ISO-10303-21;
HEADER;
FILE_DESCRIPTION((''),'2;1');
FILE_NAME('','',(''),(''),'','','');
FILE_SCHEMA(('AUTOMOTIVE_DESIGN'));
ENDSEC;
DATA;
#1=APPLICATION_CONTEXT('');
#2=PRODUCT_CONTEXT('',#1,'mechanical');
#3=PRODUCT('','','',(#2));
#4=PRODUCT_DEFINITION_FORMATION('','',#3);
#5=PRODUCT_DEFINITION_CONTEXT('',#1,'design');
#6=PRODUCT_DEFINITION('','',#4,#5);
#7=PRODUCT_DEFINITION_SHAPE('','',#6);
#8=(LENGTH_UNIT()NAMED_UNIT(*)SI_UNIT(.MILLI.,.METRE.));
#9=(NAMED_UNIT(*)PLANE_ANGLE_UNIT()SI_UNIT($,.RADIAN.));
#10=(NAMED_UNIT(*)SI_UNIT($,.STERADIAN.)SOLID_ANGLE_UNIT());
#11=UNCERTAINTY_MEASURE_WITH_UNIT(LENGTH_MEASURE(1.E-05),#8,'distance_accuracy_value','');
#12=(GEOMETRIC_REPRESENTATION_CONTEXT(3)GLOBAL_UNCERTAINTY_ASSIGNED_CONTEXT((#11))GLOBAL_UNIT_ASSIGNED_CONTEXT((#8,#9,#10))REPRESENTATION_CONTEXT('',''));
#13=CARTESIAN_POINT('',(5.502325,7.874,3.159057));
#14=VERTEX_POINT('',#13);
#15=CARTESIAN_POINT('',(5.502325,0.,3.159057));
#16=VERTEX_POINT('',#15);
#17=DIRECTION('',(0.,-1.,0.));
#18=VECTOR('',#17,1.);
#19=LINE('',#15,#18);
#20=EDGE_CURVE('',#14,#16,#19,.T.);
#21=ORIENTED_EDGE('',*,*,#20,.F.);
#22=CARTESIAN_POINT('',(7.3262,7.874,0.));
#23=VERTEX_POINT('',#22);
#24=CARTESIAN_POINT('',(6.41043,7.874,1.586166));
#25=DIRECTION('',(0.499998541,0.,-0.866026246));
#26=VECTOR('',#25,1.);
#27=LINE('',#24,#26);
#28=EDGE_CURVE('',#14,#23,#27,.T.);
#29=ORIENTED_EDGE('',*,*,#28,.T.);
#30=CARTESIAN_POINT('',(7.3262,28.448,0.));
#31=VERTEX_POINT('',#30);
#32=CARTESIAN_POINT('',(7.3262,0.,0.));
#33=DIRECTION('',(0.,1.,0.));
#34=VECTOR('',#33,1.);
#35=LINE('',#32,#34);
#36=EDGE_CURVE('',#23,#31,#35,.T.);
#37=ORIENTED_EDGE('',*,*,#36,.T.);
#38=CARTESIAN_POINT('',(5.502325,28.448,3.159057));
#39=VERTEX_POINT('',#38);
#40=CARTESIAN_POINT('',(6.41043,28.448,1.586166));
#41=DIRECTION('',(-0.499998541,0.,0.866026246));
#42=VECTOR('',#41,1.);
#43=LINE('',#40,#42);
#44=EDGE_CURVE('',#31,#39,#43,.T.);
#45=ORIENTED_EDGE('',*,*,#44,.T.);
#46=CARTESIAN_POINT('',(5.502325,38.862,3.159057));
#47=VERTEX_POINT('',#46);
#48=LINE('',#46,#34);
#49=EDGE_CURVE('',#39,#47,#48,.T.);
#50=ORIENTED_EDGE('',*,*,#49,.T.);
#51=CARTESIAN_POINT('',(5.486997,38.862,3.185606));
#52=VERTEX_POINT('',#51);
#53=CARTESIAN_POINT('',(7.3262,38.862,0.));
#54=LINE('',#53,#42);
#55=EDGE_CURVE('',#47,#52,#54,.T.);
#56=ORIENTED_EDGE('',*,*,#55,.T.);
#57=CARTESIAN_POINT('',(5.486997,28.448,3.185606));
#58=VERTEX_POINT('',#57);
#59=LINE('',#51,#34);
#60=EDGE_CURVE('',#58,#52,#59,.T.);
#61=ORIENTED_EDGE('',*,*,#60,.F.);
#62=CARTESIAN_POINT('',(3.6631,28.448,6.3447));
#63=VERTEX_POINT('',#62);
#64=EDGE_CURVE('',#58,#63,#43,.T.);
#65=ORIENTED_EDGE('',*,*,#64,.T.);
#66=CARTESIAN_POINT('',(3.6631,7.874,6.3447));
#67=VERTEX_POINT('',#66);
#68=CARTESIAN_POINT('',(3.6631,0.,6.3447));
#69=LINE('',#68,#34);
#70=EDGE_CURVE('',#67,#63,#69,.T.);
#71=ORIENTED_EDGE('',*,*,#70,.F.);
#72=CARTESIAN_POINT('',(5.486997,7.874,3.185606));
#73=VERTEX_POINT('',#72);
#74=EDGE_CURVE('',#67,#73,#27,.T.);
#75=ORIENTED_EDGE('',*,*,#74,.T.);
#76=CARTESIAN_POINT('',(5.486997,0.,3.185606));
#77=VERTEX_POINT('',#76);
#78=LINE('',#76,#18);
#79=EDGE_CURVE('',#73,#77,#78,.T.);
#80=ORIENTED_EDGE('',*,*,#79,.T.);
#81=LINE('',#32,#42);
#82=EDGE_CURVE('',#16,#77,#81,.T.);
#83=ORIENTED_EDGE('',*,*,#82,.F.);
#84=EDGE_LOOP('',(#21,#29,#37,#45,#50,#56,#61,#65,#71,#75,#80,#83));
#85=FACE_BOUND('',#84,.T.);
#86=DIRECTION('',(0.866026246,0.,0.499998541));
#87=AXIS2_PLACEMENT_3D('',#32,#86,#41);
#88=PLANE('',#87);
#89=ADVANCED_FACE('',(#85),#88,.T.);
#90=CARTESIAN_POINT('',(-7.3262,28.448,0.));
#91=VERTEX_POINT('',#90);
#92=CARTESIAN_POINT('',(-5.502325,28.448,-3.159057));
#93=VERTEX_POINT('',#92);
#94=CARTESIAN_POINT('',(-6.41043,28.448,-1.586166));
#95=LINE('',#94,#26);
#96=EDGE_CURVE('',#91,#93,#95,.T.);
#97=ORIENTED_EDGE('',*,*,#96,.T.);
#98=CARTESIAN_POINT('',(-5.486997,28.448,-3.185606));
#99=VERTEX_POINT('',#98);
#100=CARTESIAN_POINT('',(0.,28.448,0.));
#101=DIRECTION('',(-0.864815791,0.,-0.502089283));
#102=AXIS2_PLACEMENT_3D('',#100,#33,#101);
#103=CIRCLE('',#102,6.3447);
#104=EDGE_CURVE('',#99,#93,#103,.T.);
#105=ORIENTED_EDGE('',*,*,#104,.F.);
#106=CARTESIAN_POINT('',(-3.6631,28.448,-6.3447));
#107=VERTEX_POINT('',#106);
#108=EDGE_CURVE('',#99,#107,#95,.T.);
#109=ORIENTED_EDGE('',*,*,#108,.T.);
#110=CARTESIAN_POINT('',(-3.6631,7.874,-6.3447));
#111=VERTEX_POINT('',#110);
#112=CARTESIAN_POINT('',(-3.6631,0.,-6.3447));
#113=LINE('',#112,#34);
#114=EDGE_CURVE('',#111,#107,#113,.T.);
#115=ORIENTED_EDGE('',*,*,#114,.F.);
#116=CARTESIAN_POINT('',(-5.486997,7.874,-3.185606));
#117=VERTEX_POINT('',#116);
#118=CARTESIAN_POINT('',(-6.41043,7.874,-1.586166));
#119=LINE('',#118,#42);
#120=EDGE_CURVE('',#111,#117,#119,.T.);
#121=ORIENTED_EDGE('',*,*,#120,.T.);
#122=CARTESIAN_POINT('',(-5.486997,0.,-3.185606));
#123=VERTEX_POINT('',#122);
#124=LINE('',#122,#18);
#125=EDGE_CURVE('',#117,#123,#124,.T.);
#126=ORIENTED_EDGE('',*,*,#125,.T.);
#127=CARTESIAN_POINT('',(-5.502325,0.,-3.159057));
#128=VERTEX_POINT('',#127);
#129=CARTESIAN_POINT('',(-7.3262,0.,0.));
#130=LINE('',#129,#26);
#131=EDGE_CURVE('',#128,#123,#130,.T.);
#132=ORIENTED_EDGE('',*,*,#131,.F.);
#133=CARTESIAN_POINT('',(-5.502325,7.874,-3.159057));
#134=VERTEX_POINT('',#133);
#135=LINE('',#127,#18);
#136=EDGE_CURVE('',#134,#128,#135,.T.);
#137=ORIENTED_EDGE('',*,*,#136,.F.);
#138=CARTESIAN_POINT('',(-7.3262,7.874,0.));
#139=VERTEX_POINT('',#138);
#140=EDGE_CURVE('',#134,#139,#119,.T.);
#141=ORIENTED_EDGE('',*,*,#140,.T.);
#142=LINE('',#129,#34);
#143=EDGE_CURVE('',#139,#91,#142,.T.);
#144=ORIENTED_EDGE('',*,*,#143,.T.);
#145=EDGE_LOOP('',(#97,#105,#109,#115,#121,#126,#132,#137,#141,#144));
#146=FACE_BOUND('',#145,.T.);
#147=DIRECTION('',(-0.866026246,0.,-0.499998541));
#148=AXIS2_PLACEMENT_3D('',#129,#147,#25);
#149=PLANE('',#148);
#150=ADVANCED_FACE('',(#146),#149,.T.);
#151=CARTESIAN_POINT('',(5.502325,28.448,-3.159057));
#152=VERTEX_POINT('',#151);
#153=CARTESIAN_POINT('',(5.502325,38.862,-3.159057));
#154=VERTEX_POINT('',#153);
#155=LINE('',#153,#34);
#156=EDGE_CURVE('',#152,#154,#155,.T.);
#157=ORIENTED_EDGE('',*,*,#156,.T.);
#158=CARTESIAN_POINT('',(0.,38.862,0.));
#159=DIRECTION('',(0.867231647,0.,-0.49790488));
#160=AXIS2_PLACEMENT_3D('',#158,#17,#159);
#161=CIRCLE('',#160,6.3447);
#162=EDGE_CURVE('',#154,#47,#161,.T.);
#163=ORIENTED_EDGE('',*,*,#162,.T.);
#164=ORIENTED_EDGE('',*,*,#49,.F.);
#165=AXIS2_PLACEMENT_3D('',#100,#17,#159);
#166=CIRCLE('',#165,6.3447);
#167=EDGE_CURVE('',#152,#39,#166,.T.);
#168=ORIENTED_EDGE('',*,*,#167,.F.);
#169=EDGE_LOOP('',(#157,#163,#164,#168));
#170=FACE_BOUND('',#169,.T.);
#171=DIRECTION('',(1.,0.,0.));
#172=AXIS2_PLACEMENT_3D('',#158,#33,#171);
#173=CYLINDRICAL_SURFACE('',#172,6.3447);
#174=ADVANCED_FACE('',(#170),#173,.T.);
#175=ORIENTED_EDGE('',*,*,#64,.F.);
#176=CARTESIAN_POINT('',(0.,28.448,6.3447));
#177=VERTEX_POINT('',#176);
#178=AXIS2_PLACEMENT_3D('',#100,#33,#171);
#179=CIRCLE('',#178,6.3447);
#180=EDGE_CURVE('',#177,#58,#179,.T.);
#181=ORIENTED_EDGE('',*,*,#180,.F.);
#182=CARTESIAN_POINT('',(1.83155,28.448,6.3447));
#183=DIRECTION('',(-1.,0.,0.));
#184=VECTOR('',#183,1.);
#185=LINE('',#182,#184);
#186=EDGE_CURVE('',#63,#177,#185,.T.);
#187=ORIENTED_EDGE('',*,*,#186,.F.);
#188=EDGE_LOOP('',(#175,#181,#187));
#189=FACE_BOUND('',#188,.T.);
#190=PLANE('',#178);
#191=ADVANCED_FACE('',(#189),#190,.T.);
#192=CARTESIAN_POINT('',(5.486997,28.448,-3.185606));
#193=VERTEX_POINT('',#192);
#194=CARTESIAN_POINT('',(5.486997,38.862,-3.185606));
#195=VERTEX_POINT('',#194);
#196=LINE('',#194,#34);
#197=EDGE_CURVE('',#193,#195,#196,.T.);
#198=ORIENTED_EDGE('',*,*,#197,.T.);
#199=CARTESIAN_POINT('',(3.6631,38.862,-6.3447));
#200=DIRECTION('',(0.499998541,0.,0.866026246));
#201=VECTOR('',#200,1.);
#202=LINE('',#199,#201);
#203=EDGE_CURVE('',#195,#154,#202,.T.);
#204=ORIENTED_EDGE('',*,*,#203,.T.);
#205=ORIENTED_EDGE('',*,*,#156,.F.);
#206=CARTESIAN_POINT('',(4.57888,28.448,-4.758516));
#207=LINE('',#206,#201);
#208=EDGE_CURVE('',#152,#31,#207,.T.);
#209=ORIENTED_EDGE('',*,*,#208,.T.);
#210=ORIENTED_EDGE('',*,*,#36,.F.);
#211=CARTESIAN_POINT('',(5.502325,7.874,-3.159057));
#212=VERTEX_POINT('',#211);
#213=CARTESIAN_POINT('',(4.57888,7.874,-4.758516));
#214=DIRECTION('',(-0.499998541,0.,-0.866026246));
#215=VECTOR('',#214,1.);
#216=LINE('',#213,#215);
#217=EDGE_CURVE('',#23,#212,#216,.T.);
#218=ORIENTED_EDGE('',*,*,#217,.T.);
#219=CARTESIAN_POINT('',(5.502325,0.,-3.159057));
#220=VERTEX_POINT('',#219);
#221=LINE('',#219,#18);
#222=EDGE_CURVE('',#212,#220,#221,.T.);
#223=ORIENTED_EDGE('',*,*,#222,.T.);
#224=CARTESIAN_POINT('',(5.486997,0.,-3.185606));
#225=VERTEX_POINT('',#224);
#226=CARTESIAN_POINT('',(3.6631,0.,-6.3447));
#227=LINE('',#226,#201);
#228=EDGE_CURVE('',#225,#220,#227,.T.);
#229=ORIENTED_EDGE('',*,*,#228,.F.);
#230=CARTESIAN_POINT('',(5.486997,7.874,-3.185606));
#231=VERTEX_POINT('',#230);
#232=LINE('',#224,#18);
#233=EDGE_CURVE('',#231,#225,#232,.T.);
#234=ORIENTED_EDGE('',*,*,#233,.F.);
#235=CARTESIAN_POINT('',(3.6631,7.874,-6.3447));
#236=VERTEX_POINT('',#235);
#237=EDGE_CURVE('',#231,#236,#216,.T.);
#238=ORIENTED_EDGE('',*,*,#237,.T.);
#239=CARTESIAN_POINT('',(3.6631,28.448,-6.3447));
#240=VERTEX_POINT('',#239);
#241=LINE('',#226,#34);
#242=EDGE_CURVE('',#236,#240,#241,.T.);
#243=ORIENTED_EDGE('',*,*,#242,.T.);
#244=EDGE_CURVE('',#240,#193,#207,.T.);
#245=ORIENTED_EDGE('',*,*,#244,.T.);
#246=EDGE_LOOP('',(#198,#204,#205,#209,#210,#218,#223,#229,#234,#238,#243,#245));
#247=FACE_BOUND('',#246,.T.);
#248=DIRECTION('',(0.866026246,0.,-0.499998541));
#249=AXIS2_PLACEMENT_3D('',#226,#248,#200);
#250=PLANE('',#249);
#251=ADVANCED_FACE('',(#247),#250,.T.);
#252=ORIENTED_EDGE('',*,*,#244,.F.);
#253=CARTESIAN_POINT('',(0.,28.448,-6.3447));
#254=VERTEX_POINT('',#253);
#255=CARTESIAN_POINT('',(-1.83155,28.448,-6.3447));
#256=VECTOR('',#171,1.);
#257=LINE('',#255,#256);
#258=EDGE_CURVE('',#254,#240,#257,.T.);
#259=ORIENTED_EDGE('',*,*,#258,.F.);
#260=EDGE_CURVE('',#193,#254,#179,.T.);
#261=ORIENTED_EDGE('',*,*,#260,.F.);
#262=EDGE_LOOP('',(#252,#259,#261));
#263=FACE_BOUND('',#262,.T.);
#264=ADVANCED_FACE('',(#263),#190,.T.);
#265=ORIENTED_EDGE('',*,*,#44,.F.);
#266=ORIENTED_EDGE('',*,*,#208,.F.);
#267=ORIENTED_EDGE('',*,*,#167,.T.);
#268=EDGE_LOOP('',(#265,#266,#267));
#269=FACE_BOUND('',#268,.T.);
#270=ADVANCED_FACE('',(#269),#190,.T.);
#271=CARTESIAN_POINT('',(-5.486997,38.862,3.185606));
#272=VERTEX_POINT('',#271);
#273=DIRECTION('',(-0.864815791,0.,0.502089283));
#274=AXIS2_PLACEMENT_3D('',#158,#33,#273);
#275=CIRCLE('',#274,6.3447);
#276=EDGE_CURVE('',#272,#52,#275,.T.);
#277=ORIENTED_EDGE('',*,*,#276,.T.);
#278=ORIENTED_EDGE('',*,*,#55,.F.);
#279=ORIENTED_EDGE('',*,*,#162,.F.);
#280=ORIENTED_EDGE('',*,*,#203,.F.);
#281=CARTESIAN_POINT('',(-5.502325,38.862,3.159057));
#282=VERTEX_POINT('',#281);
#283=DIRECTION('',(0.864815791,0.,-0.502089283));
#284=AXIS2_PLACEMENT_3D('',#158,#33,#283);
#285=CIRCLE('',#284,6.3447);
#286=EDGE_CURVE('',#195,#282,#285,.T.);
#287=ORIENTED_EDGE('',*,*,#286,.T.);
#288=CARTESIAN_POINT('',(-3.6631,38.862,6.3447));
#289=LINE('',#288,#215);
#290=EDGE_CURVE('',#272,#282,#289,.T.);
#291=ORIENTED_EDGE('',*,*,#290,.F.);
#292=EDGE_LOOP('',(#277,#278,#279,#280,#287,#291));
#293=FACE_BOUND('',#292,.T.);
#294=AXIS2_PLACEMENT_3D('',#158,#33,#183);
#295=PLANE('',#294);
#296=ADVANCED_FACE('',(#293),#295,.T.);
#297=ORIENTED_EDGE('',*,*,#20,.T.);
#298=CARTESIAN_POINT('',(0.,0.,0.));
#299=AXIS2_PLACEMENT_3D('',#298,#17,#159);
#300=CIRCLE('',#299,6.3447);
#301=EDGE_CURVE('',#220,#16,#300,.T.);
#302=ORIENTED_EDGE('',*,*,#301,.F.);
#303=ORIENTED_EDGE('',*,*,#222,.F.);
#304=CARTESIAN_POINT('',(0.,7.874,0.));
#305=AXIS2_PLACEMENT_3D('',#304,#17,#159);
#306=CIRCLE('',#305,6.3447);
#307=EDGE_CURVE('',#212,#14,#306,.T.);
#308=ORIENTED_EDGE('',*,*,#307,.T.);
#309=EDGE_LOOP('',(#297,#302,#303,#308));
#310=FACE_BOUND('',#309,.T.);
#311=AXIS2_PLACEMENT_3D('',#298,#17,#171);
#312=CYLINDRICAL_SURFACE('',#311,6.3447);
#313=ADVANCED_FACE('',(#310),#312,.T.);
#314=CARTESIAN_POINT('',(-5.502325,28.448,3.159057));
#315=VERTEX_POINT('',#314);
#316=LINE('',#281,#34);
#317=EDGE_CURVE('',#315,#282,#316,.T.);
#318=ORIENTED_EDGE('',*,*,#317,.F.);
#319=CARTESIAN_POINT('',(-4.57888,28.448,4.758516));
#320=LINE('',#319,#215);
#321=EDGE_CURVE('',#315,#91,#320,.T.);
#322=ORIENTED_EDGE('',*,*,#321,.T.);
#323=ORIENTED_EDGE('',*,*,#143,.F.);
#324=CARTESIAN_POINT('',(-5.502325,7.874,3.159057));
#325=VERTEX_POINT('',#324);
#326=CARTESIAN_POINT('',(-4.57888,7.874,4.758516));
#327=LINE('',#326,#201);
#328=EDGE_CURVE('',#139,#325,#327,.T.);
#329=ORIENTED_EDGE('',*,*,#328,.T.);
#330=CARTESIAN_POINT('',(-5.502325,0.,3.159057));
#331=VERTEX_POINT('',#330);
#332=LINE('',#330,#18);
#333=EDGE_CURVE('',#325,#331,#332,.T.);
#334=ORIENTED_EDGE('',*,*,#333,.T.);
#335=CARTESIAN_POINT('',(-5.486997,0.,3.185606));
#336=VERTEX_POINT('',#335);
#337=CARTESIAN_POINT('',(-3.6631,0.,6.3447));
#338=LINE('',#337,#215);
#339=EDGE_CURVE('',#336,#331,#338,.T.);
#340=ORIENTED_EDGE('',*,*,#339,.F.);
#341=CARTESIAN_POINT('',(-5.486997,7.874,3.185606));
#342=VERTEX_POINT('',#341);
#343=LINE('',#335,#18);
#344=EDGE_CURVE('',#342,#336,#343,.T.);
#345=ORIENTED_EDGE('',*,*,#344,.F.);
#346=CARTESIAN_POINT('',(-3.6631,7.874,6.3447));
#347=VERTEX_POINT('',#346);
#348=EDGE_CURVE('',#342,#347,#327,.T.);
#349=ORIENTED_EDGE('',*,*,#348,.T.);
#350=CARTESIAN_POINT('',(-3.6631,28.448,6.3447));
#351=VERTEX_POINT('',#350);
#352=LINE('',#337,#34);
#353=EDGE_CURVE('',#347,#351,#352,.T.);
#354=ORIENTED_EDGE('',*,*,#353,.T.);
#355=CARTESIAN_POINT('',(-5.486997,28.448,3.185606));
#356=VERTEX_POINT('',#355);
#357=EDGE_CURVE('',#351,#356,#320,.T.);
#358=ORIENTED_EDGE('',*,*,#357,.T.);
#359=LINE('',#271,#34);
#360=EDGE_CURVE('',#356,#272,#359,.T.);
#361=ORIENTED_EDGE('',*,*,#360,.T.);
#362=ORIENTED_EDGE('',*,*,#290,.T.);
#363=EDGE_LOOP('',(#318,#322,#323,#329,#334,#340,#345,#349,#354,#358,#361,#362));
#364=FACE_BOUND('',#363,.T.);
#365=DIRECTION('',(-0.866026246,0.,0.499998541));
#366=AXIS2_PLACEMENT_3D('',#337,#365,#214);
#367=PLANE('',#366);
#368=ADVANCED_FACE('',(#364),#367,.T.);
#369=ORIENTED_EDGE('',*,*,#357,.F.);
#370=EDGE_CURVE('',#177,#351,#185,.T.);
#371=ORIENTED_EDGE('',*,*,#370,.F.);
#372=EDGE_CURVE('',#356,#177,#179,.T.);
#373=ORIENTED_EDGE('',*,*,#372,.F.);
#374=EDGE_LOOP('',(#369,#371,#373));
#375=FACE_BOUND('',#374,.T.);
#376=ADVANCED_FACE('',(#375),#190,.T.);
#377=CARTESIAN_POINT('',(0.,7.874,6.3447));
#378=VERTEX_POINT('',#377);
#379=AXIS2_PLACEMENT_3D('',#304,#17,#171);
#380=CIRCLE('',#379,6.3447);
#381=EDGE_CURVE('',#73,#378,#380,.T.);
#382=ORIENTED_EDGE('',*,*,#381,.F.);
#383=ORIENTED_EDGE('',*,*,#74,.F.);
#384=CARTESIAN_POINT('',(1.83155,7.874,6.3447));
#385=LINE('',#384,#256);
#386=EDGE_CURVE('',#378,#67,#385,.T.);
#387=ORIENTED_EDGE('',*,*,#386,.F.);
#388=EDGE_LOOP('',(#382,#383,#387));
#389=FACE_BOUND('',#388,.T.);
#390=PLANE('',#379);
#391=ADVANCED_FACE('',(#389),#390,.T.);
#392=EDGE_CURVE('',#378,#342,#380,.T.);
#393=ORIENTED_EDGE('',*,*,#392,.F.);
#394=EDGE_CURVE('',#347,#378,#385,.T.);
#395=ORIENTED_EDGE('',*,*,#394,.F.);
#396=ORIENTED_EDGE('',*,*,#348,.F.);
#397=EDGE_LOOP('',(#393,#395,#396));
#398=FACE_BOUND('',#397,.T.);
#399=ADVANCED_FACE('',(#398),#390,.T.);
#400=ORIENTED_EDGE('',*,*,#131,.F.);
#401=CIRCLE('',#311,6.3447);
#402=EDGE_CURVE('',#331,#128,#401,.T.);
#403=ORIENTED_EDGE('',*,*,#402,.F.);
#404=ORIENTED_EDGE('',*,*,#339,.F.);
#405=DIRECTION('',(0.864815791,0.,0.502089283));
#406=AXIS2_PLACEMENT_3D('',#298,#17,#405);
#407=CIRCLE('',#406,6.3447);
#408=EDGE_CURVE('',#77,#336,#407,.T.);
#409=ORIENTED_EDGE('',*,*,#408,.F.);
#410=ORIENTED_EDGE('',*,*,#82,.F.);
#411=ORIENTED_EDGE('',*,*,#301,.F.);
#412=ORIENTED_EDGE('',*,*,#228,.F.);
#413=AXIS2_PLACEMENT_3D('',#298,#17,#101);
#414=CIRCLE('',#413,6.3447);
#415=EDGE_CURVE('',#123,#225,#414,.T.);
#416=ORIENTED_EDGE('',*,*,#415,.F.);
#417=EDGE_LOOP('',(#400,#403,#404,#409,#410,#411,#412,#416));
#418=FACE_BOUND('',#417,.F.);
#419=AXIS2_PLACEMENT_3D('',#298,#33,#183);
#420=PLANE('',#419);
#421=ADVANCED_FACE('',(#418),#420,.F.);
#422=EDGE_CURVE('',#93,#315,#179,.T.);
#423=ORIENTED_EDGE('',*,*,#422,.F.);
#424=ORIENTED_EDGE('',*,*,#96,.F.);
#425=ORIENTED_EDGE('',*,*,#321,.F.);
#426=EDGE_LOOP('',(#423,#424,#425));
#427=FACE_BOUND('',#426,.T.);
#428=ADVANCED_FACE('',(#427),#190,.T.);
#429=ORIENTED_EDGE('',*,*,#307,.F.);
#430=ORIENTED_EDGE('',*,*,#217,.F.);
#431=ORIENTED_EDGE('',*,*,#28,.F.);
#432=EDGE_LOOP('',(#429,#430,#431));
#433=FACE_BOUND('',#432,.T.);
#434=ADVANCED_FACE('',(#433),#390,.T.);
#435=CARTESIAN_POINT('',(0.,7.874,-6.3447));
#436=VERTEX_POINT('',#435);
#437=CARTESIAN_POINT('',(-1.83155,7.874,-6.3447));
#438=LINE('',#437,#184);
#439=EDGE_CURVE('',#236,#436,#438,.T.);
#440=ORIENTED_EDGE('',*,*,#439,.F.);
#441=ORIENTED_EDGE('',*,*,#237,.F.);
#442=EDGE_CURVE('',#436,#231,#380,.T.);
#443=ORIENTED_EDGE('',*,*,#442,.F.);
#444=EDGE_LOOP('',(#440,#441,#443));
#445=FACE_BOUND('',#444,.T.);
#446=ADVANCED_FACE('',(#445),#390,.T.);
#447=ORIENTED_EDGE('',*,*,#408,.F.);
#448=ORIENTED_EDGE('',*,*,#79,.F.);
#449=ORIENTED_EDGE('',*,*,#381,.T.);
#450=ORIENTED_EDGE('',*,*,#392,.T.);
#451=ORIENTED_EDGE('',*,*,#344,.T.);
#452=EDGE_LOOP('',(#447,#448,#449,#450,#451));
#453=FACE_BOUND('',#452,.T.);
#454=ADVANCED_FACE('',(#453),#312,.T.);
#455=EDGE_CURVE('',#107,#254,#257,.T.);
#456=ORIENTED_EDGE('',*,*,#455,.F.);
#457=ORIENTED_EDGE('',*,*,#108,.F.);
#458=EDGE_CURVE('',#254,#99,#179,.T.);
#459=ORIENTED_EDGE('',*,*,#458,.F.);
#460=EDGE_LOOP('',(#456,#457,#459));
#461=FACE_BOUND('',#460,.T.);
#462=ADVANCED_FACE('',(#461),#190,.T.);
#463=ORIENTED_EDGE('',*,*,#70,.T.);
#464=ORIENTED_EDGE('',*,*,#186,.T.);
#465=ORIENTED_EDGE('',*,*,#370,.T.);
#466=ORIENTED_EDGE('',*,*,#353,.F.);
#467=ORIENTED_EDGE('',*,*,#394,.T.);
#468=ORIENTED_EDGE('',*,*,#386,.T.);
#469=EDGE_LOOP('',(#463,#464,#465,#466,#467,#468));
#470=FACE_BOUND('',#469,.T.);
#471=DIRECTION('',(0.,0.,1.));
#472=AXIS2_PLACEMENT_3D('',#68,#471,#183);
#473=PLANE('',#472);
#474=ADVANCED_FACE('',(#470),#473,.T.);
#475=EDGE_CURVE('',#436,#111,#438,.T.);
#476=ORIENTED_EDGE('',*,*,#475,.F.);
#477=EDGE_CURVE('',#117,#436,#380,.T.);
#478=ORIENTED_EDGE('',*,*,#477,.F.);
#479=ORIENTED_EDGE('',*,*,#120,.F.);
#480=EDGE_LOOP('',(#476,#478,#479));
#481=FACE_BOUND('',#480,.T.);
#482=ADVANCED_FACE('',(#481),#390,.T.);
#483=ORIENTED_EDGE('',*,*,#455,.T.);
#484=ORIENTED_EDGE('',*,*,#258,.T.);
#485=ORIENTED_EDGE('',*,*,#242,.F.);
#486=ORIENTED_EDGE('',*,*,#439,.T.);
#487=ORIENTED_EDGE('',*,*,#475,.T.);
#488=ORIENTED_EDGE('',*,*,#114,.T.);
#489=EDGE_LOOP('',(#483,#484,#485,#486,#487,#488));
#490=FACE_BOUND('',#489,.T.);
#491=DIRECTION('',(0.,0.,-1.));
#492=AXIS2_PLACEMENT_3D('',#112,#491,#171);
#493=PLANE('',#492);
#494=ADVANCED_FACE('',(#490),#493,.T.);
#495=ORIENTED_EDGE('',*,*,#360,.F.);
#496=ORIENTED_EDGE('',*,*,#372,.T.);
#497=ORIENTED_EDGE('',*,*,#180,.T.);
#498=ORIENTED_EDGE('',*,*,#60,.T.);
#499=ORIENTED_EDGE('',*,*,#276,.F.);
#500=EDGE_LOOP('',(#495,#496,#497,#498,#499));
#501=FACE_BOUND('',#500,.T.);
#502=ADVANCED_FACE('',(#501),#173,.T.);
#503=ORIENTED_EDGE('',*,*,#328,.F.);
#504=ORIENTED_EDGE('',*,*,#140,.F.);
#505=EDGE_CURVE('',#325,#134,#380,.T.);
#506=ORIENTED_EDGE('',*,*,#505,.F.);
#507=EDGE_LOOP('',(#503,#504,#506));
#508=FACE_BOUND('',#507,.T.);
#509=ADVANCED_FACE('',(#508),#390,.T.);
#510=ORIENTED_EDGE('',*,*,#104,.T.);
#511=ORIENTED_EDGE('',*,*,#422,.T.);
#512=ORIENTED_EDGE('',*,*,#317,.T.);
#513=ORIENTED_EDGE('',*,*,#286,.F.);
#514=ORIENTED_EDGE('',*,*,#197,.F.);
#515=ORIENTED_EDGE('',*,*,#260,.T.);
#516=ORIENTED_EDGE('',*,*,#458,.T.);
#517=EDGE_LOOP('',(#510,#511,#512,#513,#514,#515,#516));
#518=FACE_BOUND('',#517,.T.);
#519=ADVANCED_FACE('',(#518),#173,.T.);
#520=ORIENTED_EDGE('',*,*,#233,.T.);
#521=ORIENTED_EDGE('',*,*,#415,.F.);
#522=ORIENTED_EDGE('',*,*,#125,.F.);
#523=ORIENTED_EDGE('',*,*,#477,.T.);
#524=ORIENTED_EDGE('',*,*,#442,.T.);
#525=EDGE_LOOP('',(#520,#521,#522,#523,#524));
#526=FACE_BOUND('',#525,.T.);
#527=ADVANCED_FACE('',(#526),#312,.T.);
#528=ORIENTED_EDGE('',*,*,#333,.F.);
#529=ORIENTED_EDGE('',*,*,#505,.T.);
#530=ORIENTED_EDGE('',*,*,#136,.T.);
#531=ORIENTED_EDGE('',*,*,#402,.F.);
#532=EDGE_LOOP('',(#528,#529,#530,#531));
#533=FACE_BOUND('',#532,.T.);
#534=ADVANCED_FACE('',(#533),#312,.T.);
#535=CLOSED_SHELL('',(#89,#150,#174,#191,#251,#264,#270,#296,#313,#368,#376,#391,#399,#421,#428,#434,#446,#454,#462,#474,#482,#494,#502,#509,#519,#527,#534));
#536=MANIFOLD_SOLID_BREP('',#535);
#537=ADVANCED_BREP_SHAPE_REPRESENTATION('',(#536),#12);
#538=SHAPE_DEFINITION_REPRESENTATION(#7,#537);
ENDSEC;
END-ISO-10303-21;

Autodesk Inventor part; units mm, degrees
ref_plane "YZ Plane" through (0, 0, 0) normal (1, 0, 0) x (0, 1, 0)
ref_plane "XZ Plane" through (0, 0, 0) normal (0, 1, 0) x (-1, 0, 0)
ref_plane "XY Plane" through (0, 0, 0) normal (0, 0, 1) x (1, 0, 0)
sketch "Sketch1" plane through (0, 0, 0) normal (0, 1, 0) x (-1, 0, 0)
  line L0 (-3.6631, -6.3447) -> (-7.3262, 0)
  line L1 (-7.3262, 0) -> (-3.6631, 6.3447)
  line L2 (-3.6631, 6.3447) -> (3.6631, 6.3447)
  line L3 (3.6631, 6.3447) -> (7.3262, 0)
  line L4 (7.3262, 0) -> (3.6631, -6.3447)
  line L5 (3.6631, -6.3447) -> (-3.6631, -6.3447)
  point P0 (0, 0)
  point P1 (0, 0)
extrude "Extrusion1" add sketch "Sketch1" along normal blind 38.862
sketch "Sketch2" plane through (0, 38.862, 0) normal (0, 1, 0) x (1, 0, 0)
  circle A0 centre (0, 0) radius 6.3447
  line L0 (-3.6631, 6.3447) -> (-7.3262, 0) projected
  line L1 (-12.7498, -15.4851) -> (22.5218, -15.4851)
  line L2 (22.5218, -15.4851) -> (22.5218, 21.9986)
  line L3 (22.5218, 21.9986) -> (-12.7498, 21.9986)
  line L4 (-12.7498, 21.9986) -> (-12.7498, -15.4851)
extrude "Extrusion2" cut sketch "Sketch2" against normal blind 10.414
sketch "Sketch3" plane through (0, 0, 0) normal (0, -1, 0) x (1, 0, 0)
  circle A0 centre (0, 0) radius 6.3447
  line L0 (13.1193, 9.9547) -> (-18.5882, 9.9547)
  line L1 (-18.5882, 9.9547) -> (-18.5882, -22.736)
  line L2 (-18.5882, -22.736) -> (13.1193, -22.736)
  line L3 (13.1193, -22.736) -> (13.1193, 9.9547)
extrude "Extrusion3" cut sketch "Sketch3" against normal blind 7.874
properties part number "Elevator Gearbox Hex"
